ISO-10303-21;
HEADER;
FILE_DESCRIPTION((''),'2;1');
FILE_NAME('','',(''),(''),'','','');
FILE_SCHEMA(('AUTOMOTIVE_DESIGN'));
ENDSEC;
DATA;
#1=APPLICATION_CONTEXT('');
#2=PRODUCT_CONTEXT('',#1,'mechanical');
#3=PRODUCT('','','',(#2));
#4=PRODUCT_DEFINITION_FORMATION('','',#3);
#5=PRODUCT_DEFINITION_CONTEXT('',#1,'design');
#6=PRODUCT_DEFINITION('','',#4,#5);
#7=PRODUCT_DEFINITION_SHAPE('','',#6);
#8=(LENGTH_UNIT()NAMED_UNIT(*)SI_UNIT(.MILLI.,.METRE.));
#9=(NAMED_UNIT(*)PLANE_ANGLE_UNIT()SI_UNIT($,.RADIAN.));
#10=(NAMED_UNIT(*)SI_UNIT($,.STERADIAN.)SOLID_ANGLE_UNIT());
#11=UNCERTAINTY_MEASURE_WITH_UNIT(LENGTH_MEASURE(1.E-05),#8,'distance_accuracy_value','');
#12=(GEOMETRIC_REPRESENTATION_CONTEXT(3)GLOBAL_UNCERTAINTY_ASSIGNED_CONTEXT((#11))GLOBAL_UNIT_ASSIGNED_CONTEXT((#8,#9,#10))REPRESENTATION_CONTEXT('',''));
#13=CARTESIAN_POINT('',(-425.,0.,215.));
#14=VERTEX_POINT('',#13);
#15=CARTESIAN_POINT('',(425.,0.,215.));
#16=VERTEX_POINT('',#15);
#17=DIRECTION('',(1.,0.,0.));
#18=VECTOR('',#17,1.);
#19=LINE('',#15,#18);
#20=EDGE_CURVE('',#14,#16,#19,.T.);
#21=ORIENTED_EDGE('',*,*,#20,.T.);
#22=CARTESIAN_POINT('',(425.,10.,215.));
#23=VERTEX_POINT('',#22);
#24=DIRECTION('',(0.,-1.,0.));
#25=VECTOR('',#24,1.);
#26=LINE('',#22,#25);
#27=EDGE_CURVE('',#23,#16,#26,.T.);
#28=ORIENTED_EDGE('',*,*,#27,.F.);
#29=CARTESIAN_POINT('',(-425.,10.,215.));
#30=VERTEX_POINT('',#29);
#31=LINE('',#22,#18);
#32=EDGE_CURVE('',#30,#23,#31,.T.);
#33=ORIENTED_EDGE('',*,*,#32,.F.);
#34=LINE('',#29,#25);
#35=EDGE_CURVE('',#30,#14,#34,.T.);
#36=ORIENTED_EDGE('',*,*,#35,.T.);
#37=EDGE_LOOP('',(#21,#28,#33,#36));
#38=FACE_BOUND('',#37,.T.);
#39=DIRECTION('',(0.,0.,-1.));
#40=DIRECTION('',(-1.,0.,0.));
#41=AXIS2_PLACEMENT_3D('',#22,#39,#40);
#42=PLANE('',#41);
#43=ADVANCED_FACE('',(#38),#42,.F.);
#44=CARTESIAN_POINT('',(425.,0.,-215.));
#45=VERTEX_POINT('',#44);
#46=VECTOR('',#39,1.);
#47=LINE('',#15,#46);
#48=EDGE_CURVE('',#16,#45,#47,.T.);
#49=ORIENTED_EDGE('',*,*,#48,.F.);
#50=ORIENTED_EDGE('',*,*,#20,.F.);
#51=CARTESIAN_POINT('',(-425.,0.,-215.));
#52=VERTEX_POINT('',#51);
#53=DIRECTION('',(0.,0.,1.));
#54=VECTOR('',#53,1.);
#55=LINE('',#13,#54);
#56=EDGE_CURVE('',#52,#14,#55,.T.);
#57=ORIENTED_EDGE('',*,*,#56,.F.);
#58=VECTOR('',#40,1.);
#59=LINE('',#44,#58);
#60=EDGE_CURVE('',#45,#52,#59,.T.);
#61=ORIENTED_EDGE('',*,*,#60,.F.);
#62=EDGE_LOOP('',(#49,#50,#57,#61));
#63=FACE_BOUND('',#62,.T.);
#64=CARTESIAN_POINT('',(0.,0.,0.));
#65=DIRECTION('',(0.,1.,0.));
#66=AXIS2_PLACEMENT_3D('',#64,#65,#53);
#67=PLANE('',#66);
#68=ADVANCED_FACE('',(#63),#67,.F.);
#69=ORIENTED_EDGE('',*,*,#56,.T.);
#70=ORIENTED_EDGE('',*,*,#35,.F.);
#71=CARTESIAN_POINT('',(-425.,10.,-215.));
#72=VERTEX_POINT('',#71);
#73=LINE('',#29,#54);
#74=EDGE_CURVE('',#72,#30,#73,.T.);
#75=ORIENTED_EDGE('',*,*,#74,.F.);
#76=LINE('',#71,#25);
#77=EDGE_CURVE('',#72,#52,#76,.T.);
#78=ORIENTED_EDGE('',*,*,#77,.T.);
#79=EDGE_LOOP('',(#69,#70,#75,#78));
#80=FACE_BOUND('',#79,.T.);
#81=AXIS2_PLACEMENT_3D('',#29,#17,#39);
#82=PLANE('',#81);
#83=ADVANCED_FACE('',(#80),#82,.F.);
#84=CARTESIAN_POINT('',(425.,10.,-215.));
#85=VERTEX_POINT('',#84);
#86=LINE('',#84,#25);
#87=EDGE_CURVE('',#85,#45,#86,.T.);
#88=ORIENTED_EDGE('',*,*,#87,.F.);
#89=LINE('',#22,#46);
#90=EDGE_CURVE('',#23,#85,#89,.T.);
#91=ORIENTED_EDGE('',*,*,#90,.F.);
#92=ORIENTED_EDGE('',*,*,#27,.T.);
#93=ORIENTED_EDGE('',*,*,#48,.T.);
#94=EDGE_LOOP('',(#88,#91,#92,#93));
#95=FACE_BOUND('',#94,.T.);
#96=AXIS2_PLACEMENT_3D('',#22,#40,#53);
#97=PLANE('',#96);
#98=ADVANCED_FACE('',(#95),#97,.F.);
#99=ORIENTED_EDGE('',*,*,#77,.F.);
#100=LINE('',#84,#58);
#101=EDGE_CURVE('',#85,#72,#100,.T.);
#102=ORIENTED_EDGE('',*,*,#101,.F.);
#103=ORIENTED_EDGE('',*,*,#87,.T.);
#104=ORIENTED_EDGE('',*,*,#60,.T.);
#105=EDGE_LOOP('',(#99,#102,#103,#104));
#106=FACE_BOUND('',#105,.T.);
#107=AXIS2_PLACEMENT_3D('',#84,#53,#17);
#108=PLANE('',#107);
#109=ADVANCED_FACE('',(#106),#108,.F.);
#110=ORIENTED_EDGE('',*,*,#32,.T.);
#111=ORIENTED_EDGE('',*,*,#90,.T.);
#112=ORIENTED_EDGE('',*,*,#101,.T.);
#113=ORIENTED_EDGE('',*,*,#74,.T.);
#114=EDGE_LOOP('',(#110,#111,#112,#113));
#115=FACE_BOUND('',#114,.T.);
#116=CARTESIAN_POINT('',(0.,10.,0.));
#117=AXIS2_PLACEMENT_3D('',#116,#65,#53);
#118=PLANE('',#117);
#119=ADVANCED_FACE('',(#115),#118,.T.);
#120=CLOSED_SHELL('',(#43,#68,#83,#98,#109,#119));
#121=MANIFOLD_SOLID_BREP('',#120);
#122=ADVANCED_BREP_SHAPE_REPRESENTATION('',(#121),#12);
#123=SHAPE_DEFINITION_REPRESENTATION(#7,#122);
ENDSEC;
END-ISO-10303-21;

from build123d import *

# Parameters (mm, degrees)
SCHIZZO1_W                   = 850
SCHIZZO1_H                   = 430
ESTRUSIONE_ESTRUSIONE1_DEPTH = 10


with BuildPart() as part:
    # Schizzo1 → Estrusione-Estrusione1 (new body)
    with BuildSketch(Plane(origin=(0, 0, 0), x_dir=(1, 0, 0), z_dir=(0, 1, 0))):
        Rectangle(SCHIZZO1_W, SCHIZZO1_H)
    extrude(amount=ESTRUSIONE_ESTRUSIONE1_DEPTH)


solid = part.part
